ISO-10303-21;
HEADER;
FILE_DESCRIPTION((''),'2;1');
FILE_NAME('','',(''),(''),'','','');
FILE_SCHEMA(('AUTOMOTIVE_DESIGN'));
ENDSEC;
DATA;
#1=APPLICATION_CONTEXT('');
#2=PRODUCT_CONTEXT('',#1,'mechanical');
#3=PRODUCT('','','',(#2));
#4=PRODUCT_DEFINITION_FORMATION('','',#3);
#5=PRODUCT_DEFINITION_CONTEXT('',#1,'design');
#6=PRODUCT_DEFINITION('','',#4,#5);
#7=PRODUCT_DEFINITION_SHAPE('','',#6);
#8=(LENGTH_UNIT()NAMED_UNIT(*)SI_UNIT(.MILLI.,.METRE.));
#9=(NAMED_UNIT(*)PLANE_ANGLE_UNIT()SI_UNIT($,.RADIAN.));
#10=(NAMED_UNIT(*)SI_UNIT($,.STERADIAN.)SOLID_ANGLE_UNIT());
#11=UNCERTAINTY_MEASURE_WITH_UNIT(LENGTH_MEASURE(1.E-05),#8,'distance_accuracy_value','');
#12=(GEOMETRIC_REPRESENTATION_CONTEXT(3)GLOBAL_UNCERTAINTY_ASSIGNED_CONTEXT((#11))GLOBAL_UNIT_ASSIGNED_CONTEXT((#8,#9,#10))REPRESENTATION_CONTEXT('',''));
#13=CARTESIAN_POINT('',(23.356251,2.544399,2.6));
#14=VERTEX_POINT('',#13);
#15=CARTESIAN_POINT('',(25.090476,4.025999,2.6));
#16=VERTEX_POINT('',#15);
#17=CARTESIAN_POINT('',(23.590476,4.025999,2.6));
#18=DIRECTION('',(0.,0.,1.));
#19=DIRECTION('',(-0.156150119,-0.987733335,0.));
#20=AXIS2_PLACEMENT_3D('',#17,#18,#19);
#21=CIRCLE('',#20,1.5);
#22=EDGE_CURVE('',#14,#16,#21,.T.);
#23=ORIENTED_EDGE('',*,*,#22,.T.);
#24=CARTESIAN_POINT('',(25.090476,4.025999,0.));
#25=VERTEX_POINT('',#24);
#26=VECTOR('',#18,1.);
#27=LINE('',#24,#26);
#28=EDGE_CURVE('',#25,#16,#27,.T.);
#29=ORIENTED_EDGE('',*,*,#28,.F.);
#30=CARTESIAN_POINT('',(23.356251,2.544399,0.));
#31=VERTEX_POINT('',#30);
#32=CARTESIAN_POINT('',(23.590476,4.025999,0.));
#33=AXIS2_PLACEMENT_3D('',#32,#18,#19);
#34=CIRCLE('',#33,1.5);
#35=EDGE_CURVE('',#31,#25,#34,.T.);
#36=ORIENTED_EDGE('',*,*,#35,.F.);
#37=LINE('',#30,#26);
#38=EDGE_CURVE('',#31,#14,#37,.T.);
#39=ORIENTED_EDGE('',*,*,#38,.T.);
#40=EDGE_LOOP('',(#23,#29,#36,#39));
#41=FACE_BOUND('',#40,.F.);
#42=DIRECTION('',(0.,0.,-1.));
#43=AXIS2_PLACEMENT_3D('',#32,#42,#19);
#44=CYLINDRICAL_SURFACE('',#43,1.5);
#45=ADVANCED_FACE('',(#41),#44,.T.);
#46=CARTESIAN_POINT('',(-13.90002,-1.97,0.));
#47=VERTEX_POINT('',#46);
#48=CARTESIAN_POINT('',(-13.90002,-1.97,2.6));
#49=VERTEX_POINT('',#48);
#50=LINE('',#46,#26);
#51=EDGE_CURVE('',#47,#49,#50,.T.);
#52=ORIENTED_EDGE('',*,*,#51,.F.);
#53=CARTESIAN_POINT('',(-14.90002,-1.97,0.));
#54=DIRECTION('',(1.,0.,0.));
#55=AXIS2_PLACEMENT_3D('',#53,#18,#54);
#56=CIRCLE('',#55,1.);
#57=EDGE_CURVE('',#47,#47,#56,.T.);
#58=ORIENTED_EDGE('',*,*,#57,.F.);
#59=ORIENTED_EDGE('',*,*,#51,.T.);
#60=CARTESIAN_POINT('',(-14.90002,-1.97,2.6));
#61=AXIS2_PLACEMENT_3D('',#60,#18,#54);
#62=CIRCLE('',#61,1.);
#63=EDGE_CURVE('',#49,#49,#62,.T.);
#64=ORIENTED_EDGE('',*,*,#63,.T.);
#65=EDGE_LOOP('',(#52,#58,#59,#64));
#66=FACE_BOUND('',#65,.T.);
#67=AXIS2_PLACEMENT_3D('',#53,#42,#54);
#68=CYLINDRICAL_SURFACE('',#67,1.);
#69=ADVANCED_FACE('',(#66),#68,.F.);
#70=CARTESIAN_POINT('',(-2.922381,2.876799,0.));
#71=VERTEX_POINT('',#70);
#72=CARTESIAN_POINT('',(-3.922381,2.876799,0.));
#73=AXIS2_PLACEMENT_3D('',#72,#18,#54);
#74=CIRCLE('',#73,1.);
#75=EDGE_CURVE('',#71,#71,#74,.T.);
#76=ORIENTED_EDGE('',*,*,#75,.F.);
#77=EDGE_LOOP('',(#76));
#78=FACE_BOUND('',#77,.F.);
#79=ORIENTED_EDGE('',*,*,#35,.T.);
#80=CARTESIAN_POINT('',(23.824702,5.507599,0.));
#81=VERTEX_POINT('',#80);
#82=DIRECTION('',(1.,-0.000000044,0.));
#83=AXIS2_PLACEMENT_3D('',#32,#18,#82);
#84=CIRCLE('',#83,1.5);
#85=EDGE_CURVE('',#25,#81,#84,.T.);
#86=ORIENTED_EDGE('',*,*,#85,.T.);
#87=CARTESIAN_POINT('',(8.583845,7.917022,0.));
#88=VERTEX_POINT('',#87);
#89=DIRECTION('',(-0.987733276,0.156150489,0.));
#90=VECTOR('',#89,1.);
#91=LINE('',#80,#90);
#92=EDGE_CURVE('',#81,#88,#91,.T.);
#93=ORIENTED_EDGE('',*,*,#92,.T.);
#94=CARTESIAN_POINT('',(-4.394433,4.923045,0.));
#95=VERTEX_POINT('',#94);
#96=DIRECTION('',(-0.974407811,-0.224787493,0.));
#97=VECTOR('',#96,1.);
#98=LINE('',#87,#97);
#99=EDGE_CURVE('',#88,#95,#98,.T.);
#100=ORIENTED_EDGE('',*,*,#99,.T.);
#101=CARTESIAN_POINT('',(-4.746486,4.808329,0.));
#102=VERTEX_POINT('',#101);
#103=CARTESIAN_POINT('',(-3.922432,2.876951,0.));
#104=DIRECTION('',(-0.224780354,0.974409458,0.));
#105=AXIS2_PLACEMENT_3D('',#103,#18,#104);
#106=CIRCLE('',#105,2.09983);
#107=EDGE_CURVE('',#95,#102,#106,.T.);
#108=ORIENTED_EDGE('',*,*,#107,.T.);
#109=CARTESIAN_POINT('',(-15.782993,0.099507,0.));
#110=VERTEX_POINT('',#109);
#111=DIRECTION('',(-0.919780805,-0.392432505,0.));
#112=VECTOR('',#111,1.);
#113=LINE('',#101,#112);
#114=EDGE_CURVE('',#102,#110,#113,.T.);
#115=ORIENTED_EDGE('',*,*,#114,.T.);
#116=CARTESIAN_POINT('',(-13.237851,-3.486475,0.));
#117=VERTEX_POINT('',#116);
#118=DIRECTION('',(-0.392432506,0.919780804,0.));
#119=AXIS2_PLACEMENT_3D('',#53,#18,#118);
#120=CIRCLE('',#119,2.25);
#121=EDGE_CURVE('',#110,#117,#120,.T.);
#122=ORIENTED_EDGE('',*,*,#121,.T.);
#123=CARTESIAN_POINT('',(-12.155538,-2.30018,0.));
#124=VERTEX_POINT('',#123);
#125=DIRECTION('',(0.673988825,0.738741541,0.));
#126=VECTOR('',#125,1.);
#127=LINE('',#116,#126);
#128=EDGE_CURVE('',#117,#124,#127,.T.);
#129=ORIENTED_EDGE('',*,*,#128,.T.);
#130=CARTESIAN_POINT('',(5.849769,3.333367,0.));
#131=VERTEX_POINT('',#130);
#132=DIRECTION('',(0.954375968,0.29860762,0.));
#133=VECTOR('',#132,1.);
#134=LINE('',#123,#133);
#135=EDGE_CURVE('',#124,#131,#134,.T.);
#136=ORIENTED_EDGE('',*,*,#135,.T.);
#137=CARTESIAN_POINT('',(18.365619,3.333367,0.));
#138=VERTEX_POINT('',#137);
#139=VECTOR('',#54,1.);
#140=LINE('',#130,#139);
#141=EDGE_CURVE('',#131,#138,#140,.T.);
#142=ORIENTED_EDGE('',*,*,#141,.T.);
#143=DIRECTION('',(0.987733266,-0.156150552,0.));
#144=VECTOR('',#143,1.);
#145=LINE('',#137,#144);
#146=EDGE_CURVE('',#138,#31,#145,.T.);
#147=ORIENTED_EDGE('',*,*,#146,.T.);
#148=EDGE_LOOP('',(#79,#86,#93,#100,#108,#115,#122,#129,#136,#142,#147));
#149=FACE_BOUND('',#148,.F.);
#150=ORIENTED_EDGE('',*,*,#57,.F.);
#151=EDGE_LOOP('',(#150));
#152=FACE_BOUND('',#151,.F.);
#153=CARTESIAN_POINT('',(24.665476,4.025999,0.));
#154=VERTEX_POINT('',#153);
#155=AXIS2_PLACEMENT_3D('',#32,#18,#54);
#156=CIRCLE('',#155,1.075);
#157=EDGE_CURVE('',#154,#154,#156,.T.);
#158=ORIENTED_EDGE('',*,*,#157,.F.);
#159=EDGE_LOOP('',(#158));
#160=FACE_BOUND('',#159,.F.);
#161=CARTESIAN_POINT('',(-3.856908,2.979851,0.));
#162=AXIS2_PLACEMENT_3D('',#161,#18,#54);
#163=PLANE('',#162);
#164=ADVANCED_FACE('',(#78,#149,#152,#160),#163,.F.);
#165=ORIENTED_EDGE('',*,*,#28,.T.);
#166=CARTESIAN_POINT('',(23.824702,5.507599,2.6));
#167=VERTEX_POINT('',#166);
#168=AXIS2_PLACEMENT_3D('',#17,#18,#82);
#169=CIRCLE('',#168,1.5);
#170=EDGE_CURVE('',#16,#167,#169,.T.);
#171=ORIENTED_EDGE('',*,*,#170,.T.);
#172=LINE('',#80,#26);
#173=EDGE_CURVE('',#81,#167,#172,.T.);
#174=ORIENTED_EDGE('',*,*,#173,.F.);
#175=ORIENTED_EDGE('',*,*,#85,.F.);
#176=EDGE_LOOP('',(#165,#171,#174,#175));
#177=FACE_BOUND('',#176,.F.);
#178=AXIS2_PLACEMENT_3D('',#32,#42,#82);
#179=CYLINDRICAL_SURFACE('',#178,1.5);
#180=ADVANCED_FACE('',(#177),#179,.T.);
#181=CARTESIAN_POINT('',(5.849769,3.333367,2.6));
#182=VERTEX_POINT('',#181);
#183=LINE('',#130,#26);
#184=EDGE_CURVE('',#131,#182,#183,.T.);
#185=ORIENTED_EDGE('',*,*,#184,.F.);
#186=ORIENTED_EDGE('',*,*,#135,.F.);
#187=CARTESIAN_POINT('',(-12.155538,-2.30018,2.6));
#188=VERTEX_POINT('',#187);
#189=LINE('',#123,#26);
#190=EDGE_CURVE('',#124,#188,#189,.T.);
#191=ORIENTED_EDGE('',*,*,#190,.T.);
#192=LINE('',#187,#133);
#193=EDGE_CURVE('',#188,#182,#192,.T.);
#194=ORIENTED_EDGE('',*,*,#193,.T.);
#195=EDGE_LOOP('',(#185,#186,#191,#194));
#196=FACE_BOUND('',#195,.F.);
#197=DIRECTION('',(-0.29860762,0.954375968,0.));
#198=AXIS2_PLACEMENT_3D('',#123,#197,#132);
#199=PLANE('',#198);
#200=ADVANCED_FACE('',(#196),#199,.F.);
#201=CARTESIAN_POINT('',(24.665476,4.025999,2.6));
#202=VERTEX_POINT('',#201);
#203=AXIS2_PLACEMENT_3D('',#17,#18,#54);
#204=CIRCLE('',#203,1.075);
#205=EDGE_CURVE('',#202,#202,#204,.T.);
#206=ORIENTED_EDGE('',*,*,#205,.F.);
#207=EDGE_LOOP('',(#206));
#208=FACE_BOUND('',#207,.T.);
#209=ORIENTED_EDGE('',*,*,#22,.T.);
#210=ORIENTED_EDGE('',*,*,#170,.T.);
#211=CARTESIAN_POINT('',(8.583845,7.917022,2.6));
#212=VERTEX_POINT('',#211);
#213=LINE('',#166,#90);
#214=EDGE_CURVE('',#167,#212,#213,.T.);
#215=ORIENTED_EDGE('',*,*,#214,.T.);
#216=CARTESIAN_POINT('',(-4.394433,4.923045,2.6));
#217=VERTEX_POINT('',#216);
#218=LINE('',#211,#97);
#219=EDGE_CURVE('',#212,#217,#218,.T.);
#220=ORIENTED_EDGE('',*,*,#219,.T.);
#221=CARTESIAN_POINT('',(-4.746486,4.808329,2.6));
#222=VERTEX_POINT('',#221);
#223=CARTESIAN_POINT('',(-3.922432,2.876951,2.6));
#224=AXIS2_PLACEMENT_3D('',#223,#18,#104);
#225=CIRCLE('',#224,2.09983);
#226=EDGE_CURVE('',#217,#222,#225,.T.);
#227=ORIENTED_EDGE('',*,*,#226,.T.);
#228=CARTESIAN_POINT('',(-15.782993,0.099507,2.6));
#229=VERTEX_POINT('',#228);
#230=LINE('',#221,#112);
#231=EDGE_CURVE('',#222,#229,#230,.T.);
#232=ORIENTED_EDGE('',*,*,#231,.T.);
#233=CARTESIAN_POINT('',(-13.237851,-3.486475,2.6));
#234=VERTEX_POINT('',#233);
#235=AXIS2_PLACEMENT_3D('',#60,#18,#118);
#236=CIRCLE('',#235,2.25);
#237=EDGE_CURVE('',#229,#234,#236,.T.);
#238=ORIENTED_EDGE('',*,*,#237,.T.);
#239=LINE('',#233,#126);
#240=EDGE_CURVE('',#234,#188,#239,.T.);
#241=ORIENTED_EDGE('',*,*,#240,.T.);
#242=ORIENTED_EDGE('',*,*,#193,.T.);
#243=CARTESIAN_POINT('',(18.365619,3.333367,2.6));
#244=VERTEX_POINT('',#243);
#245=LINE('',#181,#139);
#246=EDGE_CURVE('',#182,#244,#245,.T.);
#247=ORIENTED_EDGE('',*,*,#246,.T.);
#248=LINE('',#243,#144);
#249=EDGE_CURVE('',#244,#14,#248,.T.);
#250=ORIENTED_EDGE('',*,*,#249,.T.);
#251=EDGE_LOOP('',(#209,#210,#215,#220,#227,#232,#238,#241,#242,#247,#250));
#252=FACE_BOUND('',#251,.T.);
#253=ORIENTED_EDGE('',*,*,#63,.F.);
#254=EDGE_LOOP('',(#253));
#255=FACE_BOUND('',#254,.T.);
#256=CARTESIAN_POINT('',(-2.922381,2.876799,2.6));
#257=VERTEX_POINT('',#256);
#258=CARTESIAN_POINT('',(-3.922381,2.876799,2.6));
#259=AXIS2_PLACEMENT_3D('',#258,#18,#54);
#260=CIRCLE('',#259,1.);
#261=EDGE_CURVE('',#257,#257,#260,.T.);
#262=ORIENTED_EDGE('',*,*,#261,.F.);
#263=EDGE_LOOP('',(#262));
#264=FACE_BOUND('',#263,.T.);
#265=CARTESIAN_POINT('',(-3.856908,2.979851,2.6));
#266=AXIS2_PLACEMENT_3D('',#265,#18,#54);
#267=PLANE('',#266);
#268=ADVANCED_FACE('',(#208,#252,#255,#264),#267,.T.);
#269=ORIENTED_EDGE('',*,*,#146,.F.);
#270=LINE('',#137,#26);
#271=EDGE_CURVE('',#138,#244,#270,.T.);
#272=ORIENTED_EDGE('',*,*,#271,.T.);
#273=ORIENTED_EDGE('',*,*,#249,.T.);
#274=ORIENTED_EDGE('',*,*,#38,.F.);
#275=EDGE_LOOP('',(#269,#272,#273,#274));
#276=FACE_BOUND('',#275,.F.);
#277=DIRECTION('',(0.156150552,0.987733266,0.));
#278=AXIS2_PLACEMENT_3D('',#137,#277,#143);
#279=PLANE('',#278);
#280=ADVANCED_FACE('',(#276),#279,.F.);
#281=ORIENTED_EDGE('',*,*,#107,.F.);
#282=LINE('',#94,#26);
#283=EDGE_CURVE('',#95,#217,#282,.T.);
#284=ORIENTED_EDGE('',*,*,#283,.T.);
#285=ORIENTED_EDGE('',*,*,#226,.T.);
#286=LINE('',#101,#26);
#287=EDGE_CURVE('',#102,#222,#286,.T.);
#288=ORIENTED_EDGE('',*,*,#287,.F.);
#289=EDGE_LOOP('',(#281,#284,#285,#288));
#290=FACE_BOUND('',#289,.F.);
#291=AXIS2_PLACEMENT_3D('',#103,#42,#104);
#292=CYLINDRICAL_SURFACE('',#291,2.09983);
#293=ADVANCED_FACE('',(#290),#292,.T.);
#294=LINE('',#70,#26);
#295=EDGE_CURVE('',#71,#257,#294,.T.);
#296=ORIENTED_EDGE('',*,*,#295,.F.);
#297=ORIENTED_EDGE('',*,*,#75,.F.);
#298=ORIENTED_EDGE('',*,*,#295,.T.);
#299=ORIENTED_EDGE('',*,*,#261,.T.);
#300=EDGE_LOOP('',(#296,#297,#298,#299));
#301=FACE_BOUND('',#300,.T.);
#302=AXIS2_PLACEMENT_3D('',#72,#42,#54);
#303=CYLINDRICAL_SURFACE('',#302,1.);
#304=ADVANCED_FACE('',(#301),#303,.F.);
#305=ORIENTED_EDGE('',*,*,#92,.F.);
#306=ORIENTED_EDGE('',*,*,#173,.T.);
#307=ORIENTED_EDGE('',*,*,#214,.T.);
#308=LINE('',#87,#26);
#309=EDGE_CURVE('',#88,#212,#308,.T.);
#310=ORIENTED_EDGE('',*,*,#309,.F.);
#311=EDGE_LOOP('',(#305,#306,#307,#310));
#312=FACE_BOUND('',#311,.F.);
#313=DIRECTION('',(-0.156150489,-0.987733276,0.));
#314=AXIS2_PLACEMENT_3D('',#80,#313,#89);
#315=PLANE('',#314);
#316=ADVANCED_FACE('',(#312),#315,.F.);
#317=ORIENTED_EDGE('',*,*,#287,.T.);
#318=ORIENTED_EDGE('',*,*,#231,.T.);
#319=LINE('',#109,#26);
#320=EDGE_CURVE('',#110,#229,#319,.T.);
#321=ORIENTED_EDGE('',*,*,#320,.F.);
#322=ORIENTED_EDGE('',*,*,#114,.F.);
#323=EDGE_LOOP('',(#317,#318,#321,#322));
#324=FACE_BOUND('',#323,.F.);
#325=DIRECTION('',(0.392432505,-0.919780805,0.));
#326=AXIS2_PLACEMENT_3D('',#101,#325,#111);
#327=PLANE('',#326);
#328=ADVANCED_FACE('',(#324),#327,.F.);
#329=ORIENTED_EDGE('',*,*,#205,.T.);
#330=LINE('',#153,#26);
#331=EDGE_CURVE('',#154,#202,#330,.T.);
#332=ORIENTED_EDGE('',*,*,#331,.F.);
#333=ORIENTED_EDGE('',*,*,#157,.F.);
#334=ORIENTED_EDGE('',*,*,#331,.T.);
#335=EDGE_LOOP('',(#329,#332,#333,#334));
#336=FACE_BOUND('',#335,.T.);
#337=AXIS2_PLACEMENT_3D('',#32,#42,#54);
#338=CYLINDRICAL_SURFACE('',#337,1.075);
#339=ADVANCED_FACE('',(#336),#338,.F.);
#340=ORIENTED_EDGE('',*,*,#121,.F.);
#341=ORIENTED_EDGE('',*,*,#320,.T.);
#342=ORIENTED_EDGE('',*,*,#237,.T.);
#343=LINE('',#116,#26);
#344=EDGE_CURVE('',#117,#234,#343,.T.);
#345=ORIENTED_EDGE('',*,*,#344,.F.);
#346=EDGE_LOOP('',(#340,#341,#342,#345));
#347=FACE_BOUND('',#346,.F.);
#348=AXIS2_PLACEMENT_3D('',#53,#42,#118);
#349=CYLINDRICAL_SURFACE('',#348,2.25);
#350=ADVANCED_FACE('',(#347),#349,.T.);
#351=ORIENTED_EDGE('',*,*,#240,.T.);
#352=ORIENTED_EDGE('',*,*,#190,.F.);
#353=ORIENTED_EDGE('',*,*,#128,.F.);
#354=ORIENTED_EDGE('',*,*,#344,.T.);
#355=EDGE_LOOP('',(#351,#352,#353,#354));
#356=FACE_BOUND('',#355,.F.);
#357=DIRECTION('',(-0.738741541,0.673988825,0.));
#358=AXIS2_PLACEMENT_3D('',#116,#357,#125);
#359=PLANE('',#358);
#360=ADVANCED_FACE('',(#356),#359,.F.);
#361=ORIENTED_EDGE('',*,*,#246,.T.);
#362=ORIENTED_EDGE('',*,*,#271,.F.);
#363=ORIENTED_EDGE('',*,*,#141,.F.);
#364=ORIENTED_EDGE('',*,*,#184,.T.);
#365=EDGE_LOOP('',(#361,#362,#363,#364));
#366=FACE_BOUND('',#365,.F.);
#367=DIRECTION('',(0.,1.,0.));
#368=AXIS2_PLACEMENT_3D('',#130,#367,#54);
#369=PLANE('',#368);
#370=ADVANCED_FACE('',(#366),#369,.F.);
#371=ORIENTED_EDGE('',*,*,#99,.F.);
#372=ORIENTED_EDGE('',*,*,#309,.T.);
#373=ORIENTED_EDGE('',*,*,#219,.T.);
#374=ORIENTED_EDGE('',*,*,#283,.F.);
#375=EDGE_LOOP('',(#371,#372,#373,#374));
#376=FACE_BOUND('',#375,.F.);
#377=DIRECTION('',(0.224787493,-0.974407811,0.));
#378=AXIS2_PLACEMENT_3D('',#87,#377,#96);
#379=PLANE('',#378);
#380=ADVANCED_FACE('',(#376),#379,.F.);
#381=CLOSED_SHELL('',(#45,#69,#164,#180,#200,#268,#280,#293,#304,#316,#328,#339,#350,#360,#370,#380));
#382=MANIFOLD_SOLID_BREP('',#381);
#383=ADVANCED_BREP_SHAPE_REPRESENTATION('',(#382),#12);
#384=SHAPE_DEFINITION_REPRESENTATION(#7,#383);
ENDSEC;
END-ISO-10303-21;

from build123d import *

# Parameters (mm, degrees)
F0_R     = 1
F0_R_2   = 1.075
F1_DEPTH = 2.6


with BuildPart() as f1:
    # F0 (on Top) → F1 (new body)
    with BuildSketch(Plane.XY):
        with BuildLine():
            ThreePointArc((-4.746486, 4.808329), (-5.079824, 1.124576), (-1.822392, 2.876799))
            ThreePointArc((-1.822392, 2.876799), (-2.614969, 4.520158), (-4.394433, 4.923045))
            ThreePointArc((-4.394433, 4.923045), (-4.572993, 4.873462), (-4.746486, 4.808329))
        make_face()
        with Locations((-3.922381, 2.876799)):
            Circle(F0_R, mode=Mode.SUBTRACT)
        with BuildLine():
            ThreePointArc((-4.394433, 4.923045), (-2.614969, 4.520158), (-1.822392, 2.876799))
            ThreePointArc((-1.822392, 2.876799), (-5.079824, 1.124576), (-4.746486, 4.808329))
            Line((-4.746486, 4.808329), (-15.782993, 0.099507))
            ThreePointArc((-15.782993, 0.099507), (-13.659897, -0.09261), (-12.65002, -1.97))
            ThreePointArc((-12.65002, -1.97), (-12.802118, -2.78321), (-13.237851, -3.486475))
            Line((-13.237851, -3.486475), (-12.155538, -2.30018))
            Line((-12.155538, -2.30018), (5.849769, 3.333367))
            Line((5.849769, 3.333367), (18.365619, 3.333367))
            Line((18.365619, 3.333367), (23.356251, 2.544399))
            ThreePointArc((23.356251, 2.544399), (22.108876, 4.260224), (23.824702, 5.507599))
            Line((23.824702, 5.507599), (8.583845, 7.917022))
            Line((8.583845, 7.917022), (-4.394433, 4.923045))
        make_face()
        with BuildLine():
            ThreePointArc((-12.65002, -1.97), (-13.659897, -0.09261), (-15.782993, 0.099507))
            ThreePointArc((-15.782993, 0.099507), (-16.73485, -3.272267), (-13.237851, -3.486475))
            ThreePointArc((-13.237851, -3.486475), (-12.802118, -2.78321), (-12.65002, -1.97))
        make_face()
        with Locations((-14.90002, -1.97)):
            Circle(F0_R, mode=Mode.SUBTRACT)
        with BuildLine():
            ThreePointArc((25.090476, 4.025999), (24.730945, 5.000335), (23.824702, 5.507599))
            ThreePointArc((23.824702, 5.507599), (22.108876, 4.260224), (23.356251, 2.544399))
            ThreePointArc((23.356251, 2.544399), (24.564812, 2.88553), (25.090476, 4.025999))
        make_face()
        with Locations((23.590476, 4.025999)):
            Circle(F0_R_2, mode=Mode.SUBTRACT)
    extrude(amount=F1_DEPTH)


solid = f1.part
